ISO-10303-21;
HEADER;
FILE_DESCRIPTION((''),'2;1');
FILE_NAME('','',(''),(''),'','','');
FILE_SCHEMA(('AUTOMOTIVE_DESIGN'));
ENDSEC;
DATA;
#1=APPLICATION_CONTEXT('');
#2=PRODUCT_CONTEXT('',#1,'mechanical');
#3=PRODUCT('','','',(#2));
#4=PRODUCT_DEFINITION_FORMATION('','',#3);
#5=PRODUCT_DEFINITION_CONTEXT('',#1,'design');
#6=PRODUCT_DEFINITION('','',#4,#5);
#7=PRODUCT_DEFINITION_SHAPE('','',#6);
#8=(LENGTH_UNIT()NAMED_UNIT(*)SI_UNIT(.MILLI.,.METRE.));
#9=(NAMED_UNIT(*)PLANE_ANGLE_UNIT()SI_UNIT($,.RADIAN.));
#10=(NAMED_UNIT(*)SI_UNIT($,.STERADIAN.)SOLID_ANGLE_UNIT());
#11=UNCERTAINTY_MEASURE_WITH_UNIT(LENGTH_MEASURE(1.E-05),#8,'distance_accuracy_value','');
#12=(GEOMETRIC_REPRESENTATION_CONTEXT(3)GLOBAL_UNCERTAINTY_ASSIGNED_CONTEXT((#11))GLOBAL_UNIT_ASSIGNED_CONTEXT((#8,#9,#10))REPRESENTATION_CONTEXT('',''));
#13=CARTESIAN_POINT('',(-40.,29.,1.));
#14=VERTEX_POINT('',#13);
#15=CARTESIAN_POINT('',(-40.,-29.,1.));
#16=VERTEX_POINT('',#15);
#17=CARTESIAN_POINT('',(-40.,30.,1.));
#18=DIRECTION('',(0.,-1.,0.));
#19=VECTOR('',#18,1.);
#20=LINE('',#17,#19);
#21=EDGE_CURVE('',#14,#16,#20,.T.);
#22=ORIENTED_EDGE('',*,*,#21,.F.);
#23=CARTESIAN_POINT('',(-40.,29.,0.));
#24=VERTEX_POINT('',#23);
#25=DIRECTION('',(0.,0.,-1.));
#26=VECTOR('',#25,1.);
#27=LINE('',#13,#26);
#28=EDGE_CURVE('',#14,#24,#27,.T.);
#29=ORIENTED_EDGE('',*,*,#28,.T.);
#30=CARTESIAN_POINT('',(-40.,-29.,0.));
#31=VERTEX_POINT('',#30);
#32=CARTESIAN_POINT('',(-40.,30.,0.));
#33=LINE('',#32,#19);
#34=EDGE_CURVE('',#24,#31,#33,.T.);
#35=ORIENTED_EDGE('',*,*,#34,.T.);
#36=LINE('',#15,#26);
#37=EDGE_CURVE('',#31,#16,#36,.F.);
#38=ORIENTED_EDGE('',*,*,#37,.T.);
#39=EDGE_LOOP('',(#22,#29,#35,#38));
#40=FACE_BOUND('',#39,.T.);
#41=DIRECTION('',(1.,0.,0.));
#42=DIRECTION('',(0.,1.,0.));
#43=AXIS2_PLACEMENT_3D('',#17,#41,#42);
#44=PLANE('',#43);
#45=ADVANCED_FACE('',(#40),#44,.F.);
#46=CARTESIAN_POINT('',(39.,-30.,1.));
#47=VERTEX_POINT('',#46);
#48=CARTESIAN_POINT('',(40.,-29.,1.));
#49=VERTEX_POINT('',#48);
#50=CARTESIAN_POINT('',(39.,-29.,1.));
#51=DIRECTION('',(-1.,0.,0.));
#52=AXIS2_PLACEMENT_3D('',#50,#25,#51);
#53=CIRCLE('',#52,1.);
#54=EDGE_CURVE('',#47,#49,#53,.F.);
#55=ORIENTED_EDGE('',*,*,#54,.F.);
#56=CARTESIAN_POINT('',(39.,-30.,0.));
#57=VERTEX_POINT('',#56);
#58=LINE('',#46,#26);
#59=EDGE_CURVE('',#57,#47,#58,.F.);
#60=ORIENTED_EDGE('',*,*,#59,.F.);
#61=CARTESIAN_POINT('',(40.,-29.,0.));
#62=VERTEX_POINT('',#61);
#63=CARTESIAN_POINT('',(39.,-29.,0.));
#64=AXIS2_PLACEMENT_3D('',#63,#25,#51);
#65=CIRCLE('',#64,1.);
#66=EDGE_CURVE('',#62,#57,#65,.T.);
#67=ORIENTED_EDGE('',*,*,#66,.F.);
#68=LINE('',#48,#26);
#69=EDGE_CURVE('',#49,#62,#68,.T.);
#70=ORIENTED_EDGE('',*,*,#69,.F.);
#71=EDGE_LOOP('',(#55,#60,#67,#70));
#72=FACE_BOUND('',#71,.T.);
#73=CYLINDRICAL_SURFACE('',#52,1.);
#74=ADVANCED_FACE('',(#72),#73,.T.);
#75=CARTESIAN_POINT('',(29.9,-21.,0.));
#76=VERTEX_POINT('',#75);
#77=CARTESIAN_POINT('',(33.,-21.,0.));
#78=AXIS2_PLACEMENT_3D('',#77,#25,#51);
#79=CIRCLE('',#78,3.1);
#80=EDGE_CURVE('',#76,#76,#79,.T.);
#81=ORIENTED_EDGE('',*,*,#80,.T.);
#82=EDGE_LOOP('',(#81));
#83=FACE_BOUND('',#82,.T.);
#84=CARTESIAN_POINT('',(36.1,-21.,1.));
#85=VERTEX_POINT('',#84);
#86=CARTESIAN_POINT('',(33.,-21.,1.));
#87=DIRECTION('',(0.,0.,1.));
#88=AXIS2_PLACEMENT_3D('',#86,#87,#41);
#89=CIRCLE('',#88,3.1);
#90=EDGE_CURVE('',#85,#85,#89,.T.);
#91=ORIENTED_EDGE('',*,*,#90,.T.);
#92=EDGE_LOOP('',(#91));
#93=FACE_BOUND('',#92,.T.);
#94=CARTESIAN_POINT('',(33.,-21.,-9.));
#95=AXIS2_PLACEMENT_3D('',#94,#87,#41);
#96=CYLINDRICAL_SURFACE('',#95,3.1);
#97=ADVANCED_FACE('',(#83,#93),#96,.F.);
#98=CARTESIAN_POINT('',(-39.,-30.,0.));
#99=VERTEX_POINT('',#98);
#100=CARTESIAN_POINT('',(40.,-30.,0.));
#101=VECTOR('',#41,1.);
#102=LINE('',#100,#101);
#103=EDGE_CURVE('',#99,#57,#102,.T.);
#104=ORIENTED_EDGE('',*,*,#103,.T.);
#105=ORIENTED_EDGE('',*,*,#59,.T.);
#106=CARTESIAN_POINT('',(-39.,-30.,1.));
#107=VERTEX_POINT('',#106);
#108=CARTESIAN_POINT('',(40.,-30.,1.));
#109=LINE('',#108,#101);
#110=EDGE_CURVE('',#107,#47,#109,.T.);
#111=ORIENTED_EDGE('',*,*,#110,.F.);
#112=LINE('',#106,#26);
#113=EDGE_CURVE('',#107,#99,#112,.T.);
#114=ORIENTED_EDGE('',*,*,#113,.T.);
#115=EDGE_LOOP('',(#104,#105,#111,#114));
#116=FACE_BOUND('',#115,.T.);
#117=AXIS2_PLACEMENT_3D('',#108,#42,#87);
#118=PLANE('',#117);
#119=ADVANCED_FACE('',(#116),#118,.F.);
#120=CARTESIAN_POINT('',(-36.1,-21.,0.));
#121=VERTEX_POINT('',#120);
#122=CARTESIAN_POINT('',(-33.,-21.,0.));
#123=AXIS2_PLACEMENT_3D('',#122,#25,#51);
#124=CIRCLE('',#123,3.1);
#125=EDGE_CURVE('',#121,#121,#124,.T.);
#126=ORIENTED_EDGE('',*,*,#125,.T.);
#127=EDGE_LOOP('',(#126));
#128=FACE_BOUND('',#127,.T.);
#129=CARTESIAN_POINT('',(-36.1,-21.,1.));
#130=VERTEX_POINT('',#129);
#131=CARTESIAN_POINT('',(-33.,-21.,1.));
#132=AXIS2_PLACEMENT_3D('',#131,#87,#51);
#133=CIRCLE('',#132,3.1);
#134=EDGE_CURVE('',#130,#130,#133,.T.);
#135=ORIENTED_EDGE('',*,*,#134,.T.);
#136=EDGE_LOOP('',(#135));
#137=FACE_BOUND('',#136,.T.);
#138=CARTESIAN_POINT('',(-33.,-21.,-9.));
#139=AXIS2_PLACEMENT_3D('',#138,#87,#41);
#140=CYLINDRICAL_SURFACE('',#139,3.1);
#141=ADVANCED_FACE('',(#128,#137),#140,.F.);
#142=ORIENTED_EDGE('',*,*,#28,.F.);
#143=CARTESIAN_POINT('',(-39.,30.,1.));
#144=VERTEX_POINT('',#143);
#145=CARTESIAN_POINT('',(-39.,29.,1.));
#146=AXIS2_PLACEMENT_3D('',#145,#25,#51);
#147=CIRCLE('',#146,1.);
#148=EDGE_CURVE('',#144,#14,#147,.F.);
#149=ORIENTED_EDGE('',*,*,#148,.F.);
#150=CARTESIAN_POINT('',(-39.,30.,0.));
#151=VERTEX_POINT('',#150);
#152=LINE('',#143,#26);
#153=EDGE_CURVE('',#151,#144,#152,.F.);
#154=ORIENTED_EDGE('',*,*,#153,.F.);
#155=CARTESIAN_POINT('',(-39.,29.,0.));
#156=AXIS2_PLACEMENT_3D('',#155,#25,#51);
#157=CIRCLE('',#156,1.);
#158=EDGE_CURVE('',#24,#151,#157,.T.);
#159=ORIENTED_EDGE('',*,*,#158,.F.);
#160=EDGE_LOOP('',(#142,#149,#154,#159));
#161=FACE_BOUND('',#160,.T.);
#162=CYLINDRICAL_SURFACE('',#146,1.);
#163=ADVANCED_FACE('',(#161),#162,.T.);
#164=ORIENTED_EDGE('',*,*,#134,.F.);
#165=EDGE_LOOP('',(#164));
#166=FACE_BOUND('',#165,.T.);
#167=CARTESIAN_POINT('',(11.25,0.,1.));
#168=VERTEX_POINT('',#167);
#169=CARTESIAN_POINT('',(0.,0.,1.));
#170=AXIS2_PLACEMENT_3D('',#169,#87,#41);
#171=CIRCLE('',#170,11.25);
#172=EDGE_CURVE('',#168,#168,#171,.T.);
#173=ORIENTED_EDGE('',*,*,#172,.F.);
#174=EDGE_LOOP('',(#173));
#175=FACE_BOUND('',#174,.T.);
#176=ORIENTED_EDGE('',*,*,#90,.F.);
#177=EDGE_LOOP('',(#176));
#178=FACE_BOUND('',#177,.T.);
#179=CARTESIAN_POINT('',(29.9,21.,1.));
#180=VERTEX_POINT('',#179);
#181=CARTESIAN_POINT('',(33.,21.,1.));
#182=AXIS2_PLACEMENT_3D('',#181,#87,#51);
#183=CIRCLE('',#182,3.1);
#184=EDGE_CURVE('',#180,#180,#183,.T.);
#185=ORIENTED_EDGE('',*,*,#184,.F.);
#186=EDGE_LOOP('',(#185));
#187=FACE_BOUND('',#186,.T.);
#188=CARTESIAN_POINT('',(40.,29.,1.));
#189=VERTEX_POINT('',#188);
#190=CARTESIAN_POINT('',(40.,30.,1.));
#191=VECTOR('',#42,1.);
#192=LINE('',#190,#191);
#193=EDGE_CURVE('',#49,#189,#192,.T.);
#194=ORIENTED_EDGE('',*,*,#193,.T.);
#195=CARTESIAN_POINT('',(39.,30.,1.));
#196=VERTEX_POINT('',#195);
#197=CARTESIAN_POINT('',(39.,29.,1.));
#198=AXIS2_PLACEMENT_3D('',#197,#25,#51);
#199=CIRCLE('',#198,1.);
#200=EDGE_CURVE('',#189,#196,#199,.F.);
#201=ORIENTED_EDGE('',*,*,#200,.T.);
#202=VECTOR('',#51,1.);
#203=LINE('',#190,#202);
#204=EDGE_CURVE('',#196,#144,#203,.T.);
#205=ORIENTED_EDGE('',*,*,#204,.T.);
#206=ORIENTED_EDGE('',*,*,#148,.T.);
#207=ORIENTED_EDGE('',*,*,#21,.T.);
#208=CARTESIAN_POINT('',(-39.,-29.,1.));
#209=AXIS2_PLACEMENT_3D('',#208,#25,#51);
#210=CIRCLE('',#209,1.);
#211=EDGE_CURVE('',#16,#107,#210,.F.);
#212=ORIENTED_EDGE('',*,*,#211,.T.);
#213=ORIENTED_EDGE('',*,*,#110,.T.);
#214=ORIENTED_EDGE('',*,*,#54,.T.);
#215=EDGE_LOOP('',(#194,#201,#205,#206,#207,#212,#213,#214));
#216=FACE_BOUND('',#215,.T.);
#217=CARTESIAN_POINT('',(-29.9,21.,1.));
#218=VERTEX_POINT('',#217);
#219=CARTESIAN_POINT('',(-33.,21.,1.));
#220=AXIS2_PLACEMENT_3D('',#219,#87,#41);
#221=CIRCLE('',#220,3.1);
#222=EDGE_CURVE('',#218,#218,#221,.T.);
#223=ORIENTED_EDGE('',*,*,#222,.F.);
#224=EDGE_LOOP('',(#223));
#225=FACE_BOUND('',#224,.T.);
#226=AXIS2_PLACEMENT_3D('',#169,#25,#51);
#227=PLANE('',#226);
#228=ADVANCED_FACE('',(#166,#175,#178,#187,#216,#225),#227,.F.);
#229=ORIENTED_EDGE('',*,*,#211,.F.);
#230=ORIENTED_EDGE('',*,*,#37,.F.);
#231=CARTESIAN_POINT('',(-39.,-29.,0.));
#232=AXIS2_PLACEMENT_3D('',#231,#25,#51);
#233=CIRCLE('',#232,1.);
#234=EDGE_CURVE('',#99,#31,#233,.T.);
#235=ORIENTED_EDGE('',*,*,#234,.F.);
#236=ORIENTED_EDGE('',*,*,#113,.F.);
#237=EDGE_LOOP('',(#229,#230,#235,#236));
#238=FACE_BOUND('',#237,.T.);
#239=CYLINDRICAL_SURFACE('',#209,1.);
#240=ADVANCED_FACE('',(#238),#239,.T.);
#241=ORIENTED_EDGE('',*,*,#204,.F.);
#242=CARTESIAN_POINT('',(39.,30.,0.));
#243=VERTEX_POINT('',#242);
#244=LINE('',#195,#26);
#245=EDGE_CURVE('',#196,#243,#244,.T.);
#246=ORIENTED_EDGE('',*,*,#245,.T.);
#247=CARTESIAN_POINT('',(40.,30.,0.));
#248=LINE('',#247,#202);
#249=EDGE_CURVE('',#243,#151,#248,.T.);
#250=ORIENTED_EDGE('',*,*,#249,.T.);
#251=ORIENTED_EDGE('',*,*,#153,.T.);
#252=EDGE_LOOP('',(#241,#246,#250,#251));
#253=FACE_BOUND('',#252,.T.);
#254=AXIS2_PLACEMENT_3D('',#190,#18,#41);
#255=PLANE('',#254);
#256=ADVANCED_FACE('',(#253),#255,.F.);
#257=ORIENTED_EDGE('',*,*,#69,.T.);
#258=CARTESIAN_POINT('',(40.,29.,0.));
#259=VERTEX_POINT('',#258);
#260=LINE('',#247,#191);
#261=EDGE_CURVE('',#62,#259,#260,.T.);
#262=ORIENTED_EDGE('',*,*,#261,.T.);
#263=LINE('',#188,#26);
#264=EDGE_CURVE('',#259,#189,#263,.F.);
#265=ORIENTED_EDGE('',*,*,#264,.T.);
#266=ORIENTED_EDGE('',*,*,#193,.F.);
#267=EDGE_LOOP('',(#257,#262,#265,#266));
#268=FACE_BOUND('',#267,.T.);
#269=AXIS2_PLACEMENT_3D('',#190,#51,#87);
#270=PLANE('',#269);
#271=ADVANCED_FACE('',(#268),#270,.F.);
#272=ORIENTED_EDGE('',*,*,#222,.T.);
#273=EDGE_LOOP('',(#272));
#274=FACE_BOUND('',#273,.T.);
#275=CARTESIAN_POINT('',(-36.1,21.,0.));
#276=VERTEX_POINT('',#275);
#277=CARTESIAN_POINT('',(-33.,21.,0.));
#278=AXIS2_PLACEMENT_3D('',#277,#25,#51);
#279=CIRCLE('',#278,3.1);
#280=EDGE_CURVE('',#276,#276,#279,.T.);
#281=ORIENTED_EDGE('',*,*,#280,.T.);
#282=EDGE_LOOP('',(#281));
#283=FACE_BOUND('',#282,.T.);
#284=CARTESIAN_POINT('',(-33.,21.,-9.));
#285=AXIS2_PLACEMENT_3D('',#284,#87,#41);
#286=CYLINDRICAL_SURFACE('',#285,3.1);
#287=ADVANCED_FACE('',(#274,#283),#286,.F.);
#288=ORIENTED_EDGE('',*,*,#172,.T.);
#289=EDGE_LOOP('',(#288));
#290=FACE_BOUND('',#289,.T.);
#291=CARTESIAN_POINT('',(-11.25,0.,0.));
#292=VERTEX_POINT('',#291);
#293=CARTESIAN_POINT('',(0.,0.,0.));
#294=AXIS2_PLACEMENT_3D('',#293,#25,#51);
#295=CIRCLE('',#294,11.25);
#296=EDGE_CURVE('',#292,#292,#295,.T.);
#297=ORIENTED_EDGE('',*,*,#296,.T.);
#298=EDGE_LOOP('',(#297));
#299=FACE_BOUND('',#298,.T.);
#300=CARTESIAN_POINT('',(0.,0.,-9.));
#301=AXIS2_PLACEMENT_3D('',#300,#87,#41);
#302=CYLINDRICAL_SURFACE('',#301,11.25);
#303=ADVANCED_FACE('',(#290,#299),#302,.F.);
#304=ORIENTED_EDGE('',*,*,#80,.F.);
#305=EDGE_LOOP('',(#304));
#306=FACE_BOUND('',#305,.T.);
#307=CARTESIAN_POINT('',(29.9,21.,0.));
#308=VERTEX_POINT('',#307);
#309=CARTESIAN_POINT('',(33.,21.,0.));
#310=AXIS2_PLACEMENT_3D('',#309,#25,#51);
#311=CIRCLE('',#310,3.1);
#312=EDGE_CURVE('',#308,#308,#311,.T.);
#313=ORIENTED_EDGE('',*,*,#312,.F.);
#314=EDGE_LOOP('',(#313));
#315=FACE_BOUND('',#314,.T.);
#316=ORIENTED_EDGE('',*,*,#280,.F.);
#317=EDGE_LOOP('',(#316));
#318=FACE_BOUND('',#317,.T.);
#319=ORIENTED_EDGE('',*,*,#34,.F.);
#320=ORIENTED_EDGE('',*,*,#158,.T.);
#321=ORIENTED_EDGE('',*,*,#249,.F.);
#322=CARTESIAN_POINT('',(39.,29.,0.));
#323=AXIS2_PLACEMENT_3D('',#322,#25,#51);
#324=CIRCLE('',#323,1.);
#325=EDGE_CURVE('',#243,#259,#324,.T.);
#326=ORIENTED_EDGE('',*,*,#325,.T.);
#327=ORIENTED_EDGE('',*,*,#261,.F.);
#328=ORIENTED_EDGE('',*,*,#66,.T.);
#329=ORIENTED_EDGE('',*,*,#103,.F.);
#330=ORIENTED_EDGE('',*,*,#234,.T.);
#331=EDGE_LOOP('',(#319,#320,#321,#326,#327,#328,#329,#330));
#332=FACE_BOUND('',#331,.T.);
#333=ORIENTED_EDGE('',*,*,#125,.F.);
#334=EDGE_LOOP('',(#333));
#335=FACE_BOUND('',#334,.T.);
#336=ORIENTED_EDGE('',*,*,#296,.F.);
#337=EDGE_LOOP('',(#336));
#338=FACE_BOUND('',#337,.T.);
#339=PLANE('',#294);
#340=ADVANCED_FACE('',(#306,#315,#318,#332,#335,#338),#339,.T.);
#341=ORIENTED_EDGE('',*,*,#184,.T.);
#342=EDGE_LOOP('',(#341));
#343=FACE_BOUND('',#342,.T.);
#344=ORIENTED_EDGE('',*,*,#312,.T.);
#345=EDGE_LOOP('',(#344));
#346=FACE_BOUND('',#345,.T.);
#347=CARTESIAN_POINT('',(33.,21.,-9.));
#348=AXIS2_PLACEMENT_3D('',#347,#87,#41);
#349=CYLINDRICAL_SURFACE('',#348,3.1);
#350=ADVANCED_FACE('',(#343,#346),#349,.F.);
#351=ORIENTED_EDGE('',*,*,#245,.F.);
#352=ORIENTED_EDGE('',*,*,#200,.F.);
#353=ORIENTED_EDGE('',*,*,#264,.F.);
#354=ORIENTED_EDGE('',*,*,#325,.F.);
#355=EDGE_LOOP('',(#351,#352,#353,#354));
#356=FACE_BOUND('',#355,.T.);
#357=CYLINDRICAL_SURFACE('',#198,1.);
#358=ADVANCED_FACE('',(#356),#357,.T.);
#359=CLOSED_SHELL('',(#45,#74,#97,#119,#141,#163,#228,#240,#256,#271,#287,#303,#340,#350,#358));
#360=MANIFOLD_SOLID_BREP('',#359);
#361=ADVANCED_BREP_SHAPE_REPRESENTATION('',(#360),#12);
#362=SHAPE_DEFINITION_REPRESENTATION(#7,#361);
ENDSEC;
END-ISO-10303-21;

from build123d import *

# Parameters (mm, degrees)
SKETCH1_W           = 80
SKETCH1_H           = 60
BOSS_EXTRUDE1_DEPTH = 1
SKETCH2_R           = 3.1
SKETCH2_R_2         = 11.25
CUT_EXTRUDE1_DEPTH  = 10
FILLET1_R           = 1


with BuildPart() as part:
    # Sketch1 → Boss-Extrude1 (new body)
    with BuildSketch(Plane.XY):
        Rectangle(SKETCH1_W, SKETCH1_H)
    extrude(amount=BOSS_EXTRUDE1_DEPTH)

    # Sketch2 → Cut-Extrude1 (cut)
    with BuildSketch(Plane.XY.offset(1)):
        with Locations((-33, 21)):
            Circle(SKETCH2_R)
        with Locations(Location((33, 21, 0), (0, 0, 180))):
            Circle(SKETCH2_R)
        with Locations((33, -21)):
            Circle(SKETCH2_R)
        with Locations(Location((-33, -21, 0), (0, 0, 180))):
            Circle(SKETCH2_R)
        Circle(SKETCH2_R_2)
    extrude(amount=-CUT_EXTRUDE1_DEPTH, mode=Mode.SUBTRACT)

    # Fillet1
    fillet1_edges = [part.edges().sort_by_distance(p)[0] for p in [
        (-40, 30, 0.5),
        (40, 30, 0.5),
        (40, -30, 0.5),
        (-40, -30, 0.5),
    ]]
    fillet(fillet1_edges, radius=FILLET1_R)


solid = part.part
